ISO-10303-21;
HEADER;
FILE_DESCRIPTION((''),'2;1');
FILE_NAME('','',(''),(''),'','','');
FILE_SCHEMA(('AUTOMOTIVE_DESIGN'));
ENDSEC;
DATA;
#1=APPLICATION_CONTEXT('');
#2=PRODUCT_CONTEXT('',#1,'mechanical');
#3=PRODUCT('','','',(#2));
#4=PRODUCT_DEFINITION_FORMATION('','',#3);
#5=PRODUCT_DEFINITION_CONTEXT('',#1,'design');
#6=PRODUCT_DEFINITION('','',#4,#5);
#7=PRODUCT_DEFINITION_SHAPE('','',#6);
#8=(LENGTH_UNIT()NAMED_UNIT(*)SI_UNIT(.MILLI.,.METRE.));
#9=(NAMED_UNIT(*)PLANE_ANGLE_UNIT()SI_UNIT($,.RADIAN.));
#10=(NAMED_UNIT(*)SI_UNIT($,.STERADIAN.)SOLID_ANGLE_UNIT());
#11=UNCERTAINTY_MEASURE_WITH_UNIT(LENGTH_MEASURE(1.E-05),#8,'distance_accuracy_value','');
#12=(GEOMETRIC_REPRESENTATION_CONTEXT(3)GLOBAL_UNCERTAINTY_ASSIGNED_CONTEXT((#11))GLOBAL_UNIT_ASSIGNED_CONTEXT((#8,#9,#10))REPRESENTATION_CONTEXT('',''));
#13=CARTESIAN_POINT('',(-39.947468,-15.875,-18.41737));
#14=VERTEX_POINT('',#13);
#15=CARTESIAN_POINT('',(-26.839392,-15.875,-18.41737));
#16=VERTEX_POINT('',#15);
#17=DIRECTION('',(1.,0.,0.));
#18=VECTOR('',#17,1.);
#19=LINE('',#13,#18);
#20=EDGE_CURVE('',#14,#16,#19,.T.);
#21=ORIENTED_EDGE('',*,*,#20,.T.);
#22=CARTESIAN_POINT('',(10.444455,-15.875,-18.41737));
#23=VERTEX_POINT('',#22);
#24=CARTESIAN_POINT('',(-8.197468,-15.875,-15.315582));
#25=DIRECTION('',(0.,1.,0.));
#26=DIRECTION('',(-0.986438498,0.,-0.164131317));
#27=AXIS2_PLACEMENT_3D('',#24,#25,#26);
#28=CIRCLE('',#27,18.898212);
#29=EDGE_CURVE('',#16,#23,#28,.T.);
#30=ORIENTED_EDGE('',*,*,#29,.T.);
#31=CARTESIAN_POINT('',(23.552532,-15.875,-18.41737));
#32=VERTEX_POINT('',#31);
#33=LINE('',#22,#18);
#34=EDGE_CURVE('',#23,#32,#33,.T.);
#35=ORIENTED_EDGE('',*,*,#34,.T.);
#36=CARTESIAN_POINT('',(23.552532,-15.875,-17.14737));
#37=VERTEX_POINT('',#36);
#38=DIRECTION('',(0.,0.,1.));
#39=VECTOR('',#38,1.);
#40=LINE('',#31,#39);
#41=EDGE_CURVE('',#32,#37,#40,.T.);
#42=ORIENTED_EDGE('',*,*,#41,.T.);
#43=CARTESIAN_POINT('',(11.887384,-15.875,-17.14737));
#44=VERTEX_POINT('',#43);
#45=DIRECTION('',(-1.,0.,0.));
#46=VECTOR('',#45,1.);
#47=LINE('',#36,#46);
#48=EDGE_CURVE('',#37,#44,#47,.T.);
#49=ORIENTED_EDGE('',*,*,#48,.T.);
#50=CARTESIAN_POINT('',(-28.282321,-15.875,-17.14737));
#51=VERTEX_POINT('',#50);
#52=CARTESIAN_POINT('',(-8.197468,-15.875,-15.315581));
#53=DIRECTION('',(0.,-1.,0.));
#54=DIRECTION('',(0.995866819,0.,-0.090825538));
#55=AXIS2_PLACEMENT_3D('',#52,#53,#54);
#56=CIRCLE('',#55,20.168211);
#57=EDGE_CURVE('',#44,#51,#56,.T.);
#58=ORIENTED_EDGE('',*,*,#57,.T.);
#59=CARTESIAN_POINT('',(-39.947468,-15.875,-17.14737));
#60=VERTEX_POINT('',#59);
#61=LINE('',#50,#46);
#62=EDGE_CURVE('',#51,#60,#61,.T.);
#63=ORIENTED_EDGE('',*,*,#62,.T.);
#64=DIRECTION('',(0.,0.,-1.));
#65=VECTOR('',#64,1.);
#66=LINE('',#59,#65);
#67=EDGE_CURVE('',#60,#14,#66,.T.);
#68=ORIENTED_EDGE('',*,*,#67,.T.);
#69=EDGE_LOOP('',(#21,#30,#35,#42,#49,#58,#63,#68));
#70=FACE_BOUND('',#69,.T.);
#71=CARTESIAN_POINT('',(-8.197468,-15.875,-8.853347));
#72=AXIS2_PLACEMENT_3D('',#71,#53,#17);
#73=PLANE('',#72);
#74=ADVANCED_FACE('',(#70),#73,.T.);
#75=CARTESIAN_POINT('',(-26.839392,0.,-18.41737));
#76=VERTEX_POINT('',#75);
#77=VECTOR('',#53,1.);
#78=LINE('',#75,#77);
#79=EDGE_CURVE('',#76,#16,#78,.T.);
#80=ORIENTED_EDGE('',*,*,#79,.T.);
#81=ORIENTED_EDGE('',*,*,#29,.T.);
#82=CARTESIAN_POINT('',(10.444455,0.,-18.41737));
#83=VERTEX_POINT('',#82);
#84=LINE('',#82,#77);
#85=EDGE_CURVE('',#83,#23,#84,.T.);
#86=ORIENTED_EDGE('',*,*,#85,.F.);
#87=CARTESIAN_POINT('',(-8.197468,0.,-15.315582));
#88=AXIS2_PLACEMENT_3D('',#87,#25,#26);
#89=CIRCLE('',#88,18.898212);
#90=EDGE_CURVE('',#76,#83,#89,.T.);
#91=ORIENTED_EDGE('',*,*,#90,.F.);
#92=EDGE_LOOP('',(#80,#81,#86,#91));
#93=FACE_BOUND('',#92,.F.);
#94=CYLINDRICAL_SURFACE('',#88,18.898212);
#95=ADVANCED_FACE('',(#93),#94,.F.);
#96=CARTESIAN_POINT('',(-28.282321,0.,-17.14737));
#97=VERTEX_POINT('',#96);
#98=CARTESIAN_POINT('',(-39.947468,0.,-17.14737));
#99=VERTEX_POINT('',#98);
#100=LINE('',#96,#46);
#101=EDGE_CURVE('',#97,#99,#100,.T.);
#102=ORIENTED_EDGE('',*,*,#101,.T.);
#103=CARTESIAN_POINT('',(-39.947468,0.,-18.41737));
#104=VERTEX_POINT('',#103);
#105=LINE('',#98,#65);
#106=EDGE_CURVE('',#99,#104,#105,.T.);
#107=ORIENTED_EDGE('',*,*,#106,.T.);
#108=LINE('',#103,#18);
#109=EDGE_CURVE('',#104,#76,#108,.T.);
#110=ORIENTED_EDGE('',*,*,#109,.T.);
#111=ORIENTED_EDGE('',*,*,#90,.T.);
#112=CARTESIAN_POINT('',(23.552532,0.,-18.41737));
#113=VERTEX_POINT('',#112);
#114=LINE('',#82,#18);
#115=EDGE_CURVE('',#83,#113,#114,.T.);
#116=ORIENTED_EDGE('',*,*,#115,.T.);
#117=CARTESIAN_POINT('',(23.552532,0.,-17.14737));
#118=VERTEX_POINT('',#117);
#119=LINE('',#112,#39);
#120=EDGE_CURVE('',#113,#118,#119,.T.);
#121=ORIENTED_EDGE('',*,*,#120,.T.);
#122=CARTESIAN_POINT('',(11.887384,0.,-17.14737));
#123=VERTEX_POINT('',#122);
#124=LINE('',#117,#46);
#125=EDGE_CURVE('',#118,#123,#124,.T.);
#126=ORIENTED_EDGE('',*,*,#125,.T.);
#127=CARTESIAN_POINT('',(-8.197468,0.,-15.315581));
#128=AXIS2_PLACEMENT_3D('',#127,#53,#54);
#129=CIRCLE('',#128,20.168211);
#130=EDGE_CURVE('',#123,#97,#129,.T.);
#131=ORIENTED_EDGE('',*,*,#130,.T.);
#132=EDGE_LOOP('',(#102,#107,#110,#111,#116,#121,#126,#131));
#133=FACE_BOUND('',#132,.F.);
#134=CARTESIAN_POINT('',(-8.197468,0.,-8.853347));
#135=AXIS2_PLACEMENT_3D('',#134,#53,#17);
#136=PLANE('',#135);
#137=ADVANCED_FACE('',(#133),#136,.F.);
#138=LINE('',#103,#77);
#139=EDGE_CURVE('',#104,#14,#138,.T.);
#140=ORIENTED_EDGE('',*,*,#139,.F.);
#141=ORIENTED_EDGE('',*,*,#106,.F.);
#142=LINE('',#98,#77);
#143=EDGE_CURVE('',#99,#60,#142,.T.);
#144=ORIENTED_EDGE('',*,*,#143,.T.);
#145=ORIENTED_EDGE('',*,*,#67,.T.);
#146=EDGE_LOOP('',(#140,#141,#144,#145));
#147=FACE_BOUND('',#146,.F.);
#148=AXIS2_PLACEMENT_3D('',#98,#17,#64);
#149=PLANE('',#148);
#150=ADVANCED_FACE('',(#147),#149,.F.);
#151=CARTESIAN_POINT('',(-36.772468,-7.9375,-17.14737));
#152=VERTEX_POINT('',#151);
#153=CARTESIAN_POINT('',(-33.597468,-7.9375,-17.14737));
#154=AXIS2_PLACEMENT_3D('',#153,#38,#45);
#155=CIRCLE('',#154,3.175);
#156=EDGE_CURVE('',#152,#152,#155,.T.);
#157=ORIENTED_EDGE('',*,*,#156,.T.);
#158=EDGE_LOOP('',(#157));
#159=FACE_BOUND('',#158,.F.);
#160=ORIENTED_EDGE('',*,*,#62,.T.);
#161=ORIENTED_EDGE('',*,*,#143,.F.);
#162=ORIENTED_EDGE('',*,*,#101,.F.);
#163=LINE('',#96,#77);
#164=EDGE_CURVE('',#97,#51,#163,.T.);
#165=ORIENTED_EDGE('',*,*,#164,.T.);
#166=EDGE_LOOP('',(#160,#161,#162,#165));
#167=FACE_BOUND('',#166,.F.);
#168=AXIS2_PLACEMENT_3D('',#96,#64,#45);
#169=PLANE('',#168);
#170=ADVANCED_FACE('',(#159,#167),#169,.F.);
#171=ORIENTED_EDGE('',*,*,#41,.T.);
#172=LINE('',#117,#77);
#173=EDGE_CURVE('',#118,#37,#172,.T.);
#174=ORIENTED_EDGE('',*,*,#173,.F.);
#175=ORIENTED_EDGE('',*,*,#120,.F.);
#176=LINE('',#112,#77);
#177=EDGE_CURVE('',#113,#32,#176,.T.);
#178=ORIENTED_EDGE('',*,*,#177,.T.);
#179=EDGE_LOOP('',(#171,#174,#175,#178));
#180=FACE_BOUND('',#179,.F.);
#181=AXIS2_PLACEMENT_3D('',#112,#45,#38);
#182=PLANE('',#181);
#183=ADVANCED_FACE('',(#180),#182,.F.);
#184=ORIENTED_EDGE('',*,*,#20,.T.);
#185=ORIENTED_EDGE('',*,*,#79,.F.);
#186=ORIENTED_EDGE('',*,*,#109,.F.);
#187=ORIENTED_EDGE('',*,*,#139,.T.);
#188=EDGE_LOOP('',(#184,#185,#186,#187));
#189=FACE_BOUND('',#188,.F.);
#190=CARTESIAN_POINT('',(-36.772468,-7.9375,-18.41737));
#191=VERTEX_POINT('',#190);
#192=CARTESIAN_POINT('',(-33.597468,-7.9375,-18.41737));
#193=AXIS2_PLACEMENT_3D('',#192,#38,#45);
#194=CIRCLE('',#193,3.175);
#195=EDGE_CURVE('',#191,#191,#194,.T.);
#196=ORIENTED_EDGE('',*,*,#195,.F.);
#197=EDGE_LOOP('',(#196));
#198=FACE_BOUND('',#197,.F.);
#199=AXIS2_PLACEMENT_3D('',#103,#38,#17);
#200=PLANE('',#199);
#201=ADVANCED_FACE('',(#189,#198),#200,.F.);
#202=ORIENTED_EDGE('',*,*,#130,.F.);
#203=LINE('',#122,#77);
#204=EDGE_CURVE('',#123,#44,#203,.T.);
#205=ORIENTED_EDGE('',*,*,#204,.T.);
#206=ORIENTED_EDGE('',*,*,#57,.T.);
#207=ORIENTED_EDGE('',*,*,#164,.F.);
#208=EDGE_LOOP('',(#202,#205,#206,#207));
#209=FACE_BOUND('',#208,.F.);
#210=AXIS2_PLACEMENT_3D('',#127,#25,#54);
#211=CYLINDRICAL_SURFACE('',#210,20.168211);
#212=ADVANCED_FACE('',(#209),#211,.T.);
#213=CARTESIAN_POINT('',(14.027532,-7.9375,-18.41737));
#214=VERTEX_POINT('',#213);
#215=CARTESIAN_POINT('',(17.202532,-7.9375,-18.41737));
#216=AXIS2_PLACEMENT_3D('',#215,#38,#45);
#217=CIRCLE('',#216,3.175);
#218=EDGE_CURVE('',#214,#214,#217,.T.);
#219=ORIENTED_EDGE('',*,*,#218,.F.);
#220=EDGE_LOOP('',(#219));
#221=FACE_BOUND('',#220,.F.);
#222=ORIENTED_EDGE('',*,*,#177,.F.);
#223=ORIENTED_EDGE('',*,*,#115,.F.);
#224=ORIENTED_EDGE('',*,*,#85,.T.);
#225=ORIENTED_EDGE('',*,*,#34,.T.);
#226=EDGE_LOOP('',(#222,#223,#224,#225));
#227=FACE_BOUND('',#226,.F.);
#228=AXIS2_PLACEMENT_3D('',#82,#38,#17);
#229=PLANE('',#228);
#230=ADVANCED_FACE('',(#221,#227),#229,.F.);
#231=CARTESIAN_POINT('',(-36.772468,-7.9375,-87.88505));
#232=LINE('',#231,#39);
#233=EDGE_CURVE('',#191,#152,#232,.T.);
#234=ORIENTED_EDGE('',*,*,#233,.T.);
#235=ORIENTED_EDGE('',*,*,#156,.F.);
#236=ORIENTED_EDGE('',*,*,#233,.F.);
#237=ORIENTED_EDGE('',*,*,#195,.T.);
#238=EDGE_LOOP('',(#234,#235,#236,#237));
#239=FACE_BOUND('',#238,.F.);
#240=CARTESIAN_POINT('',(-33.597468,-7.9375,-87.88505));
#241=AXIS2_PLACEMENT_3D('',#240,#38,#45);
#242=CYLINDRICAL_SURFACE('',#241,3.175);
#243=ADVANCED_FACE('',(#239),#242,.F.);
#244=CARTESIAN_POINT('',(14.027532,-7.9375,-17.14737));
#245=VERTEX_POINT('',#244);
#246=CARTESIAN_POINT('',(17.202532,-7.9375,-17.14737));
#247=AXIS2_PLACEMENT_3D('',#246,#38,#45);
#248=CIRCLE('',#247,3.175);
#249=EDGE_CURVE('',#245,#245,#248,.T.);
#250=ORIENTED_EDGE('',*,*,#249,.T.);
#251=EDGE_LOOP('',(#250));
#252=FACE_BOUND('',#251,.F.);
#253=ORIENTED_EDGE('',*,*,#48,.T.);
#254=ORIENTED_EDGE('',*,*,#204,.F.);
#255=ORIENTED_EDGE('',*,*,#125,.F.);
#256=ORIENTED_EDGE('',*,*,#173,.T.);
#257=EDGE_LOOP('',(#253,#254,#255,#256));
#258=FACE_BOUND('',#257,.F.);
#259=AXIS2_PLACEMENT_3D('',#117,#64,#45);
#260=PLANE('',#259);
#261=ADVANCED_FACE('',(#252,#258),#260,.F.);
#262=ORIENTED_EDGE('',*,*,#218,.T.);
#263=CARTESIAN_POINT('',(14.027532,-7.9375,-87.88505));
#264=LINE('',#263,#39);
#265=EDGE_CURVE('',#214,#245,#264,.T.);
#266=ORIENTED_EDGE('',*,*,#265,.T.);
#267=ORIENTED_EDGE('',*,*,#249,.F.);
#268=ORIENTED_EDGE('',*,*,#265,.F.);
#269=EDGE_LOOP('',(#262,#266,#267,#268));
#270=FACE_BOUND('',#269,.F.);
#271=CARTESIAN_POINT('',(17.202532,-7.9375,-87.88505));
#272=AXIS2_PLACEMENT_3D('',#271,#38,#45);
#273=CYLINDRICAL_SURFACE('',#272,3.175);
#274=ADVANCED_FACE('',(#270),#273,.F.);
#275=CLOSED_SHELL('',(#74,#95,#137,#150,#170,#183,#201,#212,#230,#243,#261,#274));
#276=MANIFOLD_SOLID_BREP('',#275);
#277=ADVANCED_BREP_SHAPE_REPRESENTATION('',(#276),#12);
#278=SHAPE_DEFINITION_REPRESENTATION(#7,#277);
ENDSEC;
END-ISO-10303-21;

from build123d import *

# Parameters (mm, degrees)
F1_DEPTH = 15.875
F3_D     = 6.35


with BuildPart() as f1:
    # F0 (on Front) → F1 (new body)
    with BuildSketch(Plane.XZ):
        with BuildLine():
            Line((-39.947468, -18.41737), (-26.839392, -18.41737))
            ThreePointArc((-26.839392, -18.41737), (-8.197468, 3.58263), (10.444455, -18.41737))
            Line((10.444455, -18.41737), (23.552532, -18.41737))
            Line((23.552532, -18.41737), (23.552532, -17.14737))
            Line((23.552532, -17.14737), (11.887384, -17.14737))
            ThreePointArc((11.887384, -17.14737), (-8.197468, 4.85263), (-28.282321, -17.14737))
            Line((-28.282321, -17.14737), (-39.947468, -17.14737))
            Line((-39.947468, -17.14737), (-39.947468, -18.41737))
        make_face()
    extrude(amount=F1_DEPTH)

    # F3 (through all)
    with Locations(Plane(origin=(0, 0, -18.41737), x_dir=(1, 0, 0), z_dir=(0, 0, -1))):
        with Locations((-33.597468, 7.9375), (17.202532, 7.9375)):
            Hole(F3_D / 2)


solid = f1.part
